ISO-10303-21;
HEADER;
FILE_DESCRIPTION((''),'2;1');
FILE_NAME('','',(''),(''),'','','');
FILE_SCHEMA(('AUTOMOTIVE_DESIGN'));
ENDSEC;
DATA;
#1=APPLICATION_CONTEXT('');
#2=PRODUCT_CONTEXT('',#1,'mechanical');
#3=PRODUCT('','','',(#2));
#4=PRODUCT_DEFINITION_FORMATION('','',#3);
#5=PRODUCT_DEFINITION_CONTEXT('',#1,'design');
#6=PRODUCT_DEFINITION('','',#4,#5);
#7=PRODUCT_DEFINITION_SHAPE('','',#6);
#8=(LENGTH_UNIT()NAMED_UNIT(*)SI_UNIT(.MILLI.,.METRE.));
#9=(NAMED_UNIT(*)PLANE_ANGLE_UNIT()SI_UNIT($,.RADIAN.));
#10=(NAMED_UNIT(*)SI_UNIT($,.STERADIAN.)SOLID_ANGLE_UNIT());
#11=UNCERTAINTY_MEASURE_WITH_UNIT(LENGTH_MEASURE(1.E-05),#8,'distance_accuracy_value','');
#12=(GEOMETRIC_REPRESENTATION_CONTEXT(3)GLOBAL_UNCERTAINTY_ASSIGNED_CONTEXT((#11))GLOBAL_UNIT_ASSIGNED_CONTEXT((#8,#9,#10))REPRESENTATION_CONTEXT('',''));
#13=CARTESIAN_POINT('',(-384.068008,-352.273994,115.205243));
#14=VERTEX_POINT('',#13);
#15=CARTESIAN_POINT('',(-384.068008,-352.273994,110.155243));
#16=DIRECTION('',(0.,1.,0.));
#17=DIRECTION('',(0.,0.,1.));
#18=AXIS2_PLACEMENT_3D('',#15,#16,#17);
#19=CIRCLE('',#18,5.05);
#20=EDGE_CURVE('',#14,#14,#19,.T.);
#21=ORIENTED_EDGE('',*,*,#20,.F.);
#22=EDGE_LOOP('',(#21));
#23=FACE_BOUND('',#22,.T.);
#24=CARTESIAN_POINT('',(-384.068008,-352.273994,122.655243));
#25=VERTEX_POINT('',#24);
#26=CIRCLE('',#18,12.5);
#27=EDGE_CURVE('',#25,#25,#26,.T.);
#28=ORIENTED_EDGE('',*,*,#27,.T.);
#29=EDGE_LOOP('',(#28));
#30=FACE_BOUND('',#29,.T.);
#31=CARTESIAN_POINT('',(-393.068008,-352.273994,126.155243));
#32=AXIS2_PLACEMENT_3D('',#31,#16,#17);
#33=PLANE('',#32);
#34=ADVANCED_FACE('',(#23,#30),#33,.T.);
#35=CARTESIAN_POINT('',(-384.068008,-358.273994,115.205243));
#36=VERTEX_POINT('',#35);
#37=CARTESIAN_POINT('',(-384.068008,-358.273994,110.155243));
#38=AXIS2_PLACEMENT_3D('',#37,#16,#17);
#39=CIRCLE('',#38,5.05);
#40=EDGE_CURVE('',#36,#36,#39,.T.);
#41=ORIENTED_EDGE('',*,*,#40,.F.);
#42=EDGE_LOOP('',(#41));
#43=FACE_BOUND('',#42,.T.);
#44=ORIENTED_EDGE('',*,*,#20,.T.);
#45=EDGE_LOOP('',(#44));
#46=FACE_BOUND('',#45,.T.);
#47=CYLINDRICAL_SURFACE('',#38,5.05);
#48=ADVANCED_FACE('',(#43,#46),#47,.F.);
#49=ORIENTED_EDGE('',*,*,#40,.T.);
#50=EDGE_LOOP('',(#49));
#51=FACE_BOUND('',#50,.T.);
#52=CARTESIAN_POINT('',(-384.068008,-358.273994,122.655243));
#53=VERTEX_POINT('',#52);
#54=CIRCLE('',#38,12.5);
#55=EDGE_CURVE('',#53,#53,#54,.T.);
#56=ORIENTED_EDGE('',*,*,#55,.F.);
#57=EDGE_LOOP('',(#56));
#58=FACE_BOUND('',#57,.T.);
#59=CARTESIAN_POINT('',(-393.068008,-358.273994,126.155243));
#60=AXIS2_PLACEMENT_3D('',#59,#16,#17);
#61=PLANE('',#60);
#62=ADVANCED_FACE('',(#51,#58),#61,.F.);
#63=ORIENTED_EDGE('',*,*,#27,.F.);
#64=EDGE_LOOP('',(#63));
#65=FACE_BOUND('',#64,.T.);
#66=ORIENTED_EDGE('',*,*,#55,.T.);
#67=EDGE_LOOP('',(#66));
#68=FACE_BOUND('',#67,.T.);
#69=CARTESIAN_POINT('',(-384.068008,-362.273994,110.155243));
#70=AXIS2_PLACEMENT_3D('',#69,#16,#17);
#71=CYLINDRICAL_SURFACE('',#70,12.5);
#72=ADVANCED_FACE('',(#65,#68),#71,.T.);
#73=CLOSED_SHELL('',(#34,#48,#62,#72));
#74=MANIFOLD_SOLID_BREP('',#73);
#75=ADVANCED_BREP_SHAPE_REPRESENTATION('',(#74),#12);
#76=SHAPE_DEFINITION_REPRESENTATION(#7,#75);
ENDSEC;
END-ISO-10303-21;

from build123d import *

# Parameters (mm, degrees)
DODANIE_WYCI_GNI_CIE1_DEPTH = 6
SZKIC3_R                    = 5.05
WYTNIJ_WYCI_GNI_CIE1_DEPTH  = 418.898779611
SZKIC4_OUTSIDE_W            = 37.616
SZKIC4_OUTSIDE_H            = 51.616
SZKIC4_OUTSIDE_R            = 12.5
WYTNIJ_WYCI_GNI_CIE2_DEPTH  = 10


with BuildPart() as part:
    # Szkic1 → Dodanie-wyciągnięcie1 (new body)
    with BuildSketch(Plane(origin=(0, -358.273993717, 0), x_dir=(1, 0, 0), z_dir=(0, 1, 0))):
        with BuildLine():
            Line((-393.068007623, -130.155243162), (-375.068007623, -130.155243162))
            ThreePointArc((-375.068007623, -130.155243162), (-372.239580498, -128.983670286), (-371.068007623, -126.155243162))
            Line((-371.068007623, -126.155243162), (-371.068007623, -94.155243162))
            ThreePointArc((-371.068007623, -94.155243162), (-372.239580498, -91.326816037), (-375.068007623, -90.155243162))
            Line((-375.068007623, -90.155243162), (-393.068007623, -90.155243162))
            ThreePointArc((-393.068007623, -90.155243162), (-395.896434748, -91.326816037), (-397.068007623, -94.155243162))
            Line((-397.068007623, -94.155243162), (-397.068007623, -126.155243162))
            ThreePointArc((-397.068007623, -126.155243162), (-395.896434748, -128.983670286), (-393.068007623, -130.155243162))
        make_face()
    extrude(amount=DODANIE_WYCI_GNI_CIE1_DEPTH)

    # Szkic3 → Wytnij-wyciągnięcie1 (cut, through all)
    with BuildSketch(Plane(origin=(0, -352.273993717, 0), x_dir=(1, 0, 0), z_dir=(0, 1, 0))):
        with Locations(Location((-384.068007623, -110.155243162, 0), (0, 0, 270))):
            Circle(SZKIC3_R)
    extrude(amount=-WYTNIJ_WYCI_GNI_CIE1_DEPTH, mode=Mode.SUBTRACT)

    # Szkic4 outside → Wytnij-wyciągnięcie2 (cut)
    with BuildSketch(Plane(origin=(0, -352.273993717, 0), x_dir=(1, 0, 0), z_dir=(0, 1, 0))):
        with Locations((-384.068, -110.155)):
            Rectangle(SZKIC4_OUTSIDE_W, SZKIC4_OUTSIDE_H)
        with Locations(Location((-384.068007623, -110.155243162, 0), (0, 0, 270))):
            Circle(SZKIC4_OUTSIDE_R, mode=Mode.SUBTRACT)
    extrude(amount=-WYTNIJ_WYCI_GNI_CIE2_DEPTH, mode=Mode.SUBTRACT)


solid = part.part
